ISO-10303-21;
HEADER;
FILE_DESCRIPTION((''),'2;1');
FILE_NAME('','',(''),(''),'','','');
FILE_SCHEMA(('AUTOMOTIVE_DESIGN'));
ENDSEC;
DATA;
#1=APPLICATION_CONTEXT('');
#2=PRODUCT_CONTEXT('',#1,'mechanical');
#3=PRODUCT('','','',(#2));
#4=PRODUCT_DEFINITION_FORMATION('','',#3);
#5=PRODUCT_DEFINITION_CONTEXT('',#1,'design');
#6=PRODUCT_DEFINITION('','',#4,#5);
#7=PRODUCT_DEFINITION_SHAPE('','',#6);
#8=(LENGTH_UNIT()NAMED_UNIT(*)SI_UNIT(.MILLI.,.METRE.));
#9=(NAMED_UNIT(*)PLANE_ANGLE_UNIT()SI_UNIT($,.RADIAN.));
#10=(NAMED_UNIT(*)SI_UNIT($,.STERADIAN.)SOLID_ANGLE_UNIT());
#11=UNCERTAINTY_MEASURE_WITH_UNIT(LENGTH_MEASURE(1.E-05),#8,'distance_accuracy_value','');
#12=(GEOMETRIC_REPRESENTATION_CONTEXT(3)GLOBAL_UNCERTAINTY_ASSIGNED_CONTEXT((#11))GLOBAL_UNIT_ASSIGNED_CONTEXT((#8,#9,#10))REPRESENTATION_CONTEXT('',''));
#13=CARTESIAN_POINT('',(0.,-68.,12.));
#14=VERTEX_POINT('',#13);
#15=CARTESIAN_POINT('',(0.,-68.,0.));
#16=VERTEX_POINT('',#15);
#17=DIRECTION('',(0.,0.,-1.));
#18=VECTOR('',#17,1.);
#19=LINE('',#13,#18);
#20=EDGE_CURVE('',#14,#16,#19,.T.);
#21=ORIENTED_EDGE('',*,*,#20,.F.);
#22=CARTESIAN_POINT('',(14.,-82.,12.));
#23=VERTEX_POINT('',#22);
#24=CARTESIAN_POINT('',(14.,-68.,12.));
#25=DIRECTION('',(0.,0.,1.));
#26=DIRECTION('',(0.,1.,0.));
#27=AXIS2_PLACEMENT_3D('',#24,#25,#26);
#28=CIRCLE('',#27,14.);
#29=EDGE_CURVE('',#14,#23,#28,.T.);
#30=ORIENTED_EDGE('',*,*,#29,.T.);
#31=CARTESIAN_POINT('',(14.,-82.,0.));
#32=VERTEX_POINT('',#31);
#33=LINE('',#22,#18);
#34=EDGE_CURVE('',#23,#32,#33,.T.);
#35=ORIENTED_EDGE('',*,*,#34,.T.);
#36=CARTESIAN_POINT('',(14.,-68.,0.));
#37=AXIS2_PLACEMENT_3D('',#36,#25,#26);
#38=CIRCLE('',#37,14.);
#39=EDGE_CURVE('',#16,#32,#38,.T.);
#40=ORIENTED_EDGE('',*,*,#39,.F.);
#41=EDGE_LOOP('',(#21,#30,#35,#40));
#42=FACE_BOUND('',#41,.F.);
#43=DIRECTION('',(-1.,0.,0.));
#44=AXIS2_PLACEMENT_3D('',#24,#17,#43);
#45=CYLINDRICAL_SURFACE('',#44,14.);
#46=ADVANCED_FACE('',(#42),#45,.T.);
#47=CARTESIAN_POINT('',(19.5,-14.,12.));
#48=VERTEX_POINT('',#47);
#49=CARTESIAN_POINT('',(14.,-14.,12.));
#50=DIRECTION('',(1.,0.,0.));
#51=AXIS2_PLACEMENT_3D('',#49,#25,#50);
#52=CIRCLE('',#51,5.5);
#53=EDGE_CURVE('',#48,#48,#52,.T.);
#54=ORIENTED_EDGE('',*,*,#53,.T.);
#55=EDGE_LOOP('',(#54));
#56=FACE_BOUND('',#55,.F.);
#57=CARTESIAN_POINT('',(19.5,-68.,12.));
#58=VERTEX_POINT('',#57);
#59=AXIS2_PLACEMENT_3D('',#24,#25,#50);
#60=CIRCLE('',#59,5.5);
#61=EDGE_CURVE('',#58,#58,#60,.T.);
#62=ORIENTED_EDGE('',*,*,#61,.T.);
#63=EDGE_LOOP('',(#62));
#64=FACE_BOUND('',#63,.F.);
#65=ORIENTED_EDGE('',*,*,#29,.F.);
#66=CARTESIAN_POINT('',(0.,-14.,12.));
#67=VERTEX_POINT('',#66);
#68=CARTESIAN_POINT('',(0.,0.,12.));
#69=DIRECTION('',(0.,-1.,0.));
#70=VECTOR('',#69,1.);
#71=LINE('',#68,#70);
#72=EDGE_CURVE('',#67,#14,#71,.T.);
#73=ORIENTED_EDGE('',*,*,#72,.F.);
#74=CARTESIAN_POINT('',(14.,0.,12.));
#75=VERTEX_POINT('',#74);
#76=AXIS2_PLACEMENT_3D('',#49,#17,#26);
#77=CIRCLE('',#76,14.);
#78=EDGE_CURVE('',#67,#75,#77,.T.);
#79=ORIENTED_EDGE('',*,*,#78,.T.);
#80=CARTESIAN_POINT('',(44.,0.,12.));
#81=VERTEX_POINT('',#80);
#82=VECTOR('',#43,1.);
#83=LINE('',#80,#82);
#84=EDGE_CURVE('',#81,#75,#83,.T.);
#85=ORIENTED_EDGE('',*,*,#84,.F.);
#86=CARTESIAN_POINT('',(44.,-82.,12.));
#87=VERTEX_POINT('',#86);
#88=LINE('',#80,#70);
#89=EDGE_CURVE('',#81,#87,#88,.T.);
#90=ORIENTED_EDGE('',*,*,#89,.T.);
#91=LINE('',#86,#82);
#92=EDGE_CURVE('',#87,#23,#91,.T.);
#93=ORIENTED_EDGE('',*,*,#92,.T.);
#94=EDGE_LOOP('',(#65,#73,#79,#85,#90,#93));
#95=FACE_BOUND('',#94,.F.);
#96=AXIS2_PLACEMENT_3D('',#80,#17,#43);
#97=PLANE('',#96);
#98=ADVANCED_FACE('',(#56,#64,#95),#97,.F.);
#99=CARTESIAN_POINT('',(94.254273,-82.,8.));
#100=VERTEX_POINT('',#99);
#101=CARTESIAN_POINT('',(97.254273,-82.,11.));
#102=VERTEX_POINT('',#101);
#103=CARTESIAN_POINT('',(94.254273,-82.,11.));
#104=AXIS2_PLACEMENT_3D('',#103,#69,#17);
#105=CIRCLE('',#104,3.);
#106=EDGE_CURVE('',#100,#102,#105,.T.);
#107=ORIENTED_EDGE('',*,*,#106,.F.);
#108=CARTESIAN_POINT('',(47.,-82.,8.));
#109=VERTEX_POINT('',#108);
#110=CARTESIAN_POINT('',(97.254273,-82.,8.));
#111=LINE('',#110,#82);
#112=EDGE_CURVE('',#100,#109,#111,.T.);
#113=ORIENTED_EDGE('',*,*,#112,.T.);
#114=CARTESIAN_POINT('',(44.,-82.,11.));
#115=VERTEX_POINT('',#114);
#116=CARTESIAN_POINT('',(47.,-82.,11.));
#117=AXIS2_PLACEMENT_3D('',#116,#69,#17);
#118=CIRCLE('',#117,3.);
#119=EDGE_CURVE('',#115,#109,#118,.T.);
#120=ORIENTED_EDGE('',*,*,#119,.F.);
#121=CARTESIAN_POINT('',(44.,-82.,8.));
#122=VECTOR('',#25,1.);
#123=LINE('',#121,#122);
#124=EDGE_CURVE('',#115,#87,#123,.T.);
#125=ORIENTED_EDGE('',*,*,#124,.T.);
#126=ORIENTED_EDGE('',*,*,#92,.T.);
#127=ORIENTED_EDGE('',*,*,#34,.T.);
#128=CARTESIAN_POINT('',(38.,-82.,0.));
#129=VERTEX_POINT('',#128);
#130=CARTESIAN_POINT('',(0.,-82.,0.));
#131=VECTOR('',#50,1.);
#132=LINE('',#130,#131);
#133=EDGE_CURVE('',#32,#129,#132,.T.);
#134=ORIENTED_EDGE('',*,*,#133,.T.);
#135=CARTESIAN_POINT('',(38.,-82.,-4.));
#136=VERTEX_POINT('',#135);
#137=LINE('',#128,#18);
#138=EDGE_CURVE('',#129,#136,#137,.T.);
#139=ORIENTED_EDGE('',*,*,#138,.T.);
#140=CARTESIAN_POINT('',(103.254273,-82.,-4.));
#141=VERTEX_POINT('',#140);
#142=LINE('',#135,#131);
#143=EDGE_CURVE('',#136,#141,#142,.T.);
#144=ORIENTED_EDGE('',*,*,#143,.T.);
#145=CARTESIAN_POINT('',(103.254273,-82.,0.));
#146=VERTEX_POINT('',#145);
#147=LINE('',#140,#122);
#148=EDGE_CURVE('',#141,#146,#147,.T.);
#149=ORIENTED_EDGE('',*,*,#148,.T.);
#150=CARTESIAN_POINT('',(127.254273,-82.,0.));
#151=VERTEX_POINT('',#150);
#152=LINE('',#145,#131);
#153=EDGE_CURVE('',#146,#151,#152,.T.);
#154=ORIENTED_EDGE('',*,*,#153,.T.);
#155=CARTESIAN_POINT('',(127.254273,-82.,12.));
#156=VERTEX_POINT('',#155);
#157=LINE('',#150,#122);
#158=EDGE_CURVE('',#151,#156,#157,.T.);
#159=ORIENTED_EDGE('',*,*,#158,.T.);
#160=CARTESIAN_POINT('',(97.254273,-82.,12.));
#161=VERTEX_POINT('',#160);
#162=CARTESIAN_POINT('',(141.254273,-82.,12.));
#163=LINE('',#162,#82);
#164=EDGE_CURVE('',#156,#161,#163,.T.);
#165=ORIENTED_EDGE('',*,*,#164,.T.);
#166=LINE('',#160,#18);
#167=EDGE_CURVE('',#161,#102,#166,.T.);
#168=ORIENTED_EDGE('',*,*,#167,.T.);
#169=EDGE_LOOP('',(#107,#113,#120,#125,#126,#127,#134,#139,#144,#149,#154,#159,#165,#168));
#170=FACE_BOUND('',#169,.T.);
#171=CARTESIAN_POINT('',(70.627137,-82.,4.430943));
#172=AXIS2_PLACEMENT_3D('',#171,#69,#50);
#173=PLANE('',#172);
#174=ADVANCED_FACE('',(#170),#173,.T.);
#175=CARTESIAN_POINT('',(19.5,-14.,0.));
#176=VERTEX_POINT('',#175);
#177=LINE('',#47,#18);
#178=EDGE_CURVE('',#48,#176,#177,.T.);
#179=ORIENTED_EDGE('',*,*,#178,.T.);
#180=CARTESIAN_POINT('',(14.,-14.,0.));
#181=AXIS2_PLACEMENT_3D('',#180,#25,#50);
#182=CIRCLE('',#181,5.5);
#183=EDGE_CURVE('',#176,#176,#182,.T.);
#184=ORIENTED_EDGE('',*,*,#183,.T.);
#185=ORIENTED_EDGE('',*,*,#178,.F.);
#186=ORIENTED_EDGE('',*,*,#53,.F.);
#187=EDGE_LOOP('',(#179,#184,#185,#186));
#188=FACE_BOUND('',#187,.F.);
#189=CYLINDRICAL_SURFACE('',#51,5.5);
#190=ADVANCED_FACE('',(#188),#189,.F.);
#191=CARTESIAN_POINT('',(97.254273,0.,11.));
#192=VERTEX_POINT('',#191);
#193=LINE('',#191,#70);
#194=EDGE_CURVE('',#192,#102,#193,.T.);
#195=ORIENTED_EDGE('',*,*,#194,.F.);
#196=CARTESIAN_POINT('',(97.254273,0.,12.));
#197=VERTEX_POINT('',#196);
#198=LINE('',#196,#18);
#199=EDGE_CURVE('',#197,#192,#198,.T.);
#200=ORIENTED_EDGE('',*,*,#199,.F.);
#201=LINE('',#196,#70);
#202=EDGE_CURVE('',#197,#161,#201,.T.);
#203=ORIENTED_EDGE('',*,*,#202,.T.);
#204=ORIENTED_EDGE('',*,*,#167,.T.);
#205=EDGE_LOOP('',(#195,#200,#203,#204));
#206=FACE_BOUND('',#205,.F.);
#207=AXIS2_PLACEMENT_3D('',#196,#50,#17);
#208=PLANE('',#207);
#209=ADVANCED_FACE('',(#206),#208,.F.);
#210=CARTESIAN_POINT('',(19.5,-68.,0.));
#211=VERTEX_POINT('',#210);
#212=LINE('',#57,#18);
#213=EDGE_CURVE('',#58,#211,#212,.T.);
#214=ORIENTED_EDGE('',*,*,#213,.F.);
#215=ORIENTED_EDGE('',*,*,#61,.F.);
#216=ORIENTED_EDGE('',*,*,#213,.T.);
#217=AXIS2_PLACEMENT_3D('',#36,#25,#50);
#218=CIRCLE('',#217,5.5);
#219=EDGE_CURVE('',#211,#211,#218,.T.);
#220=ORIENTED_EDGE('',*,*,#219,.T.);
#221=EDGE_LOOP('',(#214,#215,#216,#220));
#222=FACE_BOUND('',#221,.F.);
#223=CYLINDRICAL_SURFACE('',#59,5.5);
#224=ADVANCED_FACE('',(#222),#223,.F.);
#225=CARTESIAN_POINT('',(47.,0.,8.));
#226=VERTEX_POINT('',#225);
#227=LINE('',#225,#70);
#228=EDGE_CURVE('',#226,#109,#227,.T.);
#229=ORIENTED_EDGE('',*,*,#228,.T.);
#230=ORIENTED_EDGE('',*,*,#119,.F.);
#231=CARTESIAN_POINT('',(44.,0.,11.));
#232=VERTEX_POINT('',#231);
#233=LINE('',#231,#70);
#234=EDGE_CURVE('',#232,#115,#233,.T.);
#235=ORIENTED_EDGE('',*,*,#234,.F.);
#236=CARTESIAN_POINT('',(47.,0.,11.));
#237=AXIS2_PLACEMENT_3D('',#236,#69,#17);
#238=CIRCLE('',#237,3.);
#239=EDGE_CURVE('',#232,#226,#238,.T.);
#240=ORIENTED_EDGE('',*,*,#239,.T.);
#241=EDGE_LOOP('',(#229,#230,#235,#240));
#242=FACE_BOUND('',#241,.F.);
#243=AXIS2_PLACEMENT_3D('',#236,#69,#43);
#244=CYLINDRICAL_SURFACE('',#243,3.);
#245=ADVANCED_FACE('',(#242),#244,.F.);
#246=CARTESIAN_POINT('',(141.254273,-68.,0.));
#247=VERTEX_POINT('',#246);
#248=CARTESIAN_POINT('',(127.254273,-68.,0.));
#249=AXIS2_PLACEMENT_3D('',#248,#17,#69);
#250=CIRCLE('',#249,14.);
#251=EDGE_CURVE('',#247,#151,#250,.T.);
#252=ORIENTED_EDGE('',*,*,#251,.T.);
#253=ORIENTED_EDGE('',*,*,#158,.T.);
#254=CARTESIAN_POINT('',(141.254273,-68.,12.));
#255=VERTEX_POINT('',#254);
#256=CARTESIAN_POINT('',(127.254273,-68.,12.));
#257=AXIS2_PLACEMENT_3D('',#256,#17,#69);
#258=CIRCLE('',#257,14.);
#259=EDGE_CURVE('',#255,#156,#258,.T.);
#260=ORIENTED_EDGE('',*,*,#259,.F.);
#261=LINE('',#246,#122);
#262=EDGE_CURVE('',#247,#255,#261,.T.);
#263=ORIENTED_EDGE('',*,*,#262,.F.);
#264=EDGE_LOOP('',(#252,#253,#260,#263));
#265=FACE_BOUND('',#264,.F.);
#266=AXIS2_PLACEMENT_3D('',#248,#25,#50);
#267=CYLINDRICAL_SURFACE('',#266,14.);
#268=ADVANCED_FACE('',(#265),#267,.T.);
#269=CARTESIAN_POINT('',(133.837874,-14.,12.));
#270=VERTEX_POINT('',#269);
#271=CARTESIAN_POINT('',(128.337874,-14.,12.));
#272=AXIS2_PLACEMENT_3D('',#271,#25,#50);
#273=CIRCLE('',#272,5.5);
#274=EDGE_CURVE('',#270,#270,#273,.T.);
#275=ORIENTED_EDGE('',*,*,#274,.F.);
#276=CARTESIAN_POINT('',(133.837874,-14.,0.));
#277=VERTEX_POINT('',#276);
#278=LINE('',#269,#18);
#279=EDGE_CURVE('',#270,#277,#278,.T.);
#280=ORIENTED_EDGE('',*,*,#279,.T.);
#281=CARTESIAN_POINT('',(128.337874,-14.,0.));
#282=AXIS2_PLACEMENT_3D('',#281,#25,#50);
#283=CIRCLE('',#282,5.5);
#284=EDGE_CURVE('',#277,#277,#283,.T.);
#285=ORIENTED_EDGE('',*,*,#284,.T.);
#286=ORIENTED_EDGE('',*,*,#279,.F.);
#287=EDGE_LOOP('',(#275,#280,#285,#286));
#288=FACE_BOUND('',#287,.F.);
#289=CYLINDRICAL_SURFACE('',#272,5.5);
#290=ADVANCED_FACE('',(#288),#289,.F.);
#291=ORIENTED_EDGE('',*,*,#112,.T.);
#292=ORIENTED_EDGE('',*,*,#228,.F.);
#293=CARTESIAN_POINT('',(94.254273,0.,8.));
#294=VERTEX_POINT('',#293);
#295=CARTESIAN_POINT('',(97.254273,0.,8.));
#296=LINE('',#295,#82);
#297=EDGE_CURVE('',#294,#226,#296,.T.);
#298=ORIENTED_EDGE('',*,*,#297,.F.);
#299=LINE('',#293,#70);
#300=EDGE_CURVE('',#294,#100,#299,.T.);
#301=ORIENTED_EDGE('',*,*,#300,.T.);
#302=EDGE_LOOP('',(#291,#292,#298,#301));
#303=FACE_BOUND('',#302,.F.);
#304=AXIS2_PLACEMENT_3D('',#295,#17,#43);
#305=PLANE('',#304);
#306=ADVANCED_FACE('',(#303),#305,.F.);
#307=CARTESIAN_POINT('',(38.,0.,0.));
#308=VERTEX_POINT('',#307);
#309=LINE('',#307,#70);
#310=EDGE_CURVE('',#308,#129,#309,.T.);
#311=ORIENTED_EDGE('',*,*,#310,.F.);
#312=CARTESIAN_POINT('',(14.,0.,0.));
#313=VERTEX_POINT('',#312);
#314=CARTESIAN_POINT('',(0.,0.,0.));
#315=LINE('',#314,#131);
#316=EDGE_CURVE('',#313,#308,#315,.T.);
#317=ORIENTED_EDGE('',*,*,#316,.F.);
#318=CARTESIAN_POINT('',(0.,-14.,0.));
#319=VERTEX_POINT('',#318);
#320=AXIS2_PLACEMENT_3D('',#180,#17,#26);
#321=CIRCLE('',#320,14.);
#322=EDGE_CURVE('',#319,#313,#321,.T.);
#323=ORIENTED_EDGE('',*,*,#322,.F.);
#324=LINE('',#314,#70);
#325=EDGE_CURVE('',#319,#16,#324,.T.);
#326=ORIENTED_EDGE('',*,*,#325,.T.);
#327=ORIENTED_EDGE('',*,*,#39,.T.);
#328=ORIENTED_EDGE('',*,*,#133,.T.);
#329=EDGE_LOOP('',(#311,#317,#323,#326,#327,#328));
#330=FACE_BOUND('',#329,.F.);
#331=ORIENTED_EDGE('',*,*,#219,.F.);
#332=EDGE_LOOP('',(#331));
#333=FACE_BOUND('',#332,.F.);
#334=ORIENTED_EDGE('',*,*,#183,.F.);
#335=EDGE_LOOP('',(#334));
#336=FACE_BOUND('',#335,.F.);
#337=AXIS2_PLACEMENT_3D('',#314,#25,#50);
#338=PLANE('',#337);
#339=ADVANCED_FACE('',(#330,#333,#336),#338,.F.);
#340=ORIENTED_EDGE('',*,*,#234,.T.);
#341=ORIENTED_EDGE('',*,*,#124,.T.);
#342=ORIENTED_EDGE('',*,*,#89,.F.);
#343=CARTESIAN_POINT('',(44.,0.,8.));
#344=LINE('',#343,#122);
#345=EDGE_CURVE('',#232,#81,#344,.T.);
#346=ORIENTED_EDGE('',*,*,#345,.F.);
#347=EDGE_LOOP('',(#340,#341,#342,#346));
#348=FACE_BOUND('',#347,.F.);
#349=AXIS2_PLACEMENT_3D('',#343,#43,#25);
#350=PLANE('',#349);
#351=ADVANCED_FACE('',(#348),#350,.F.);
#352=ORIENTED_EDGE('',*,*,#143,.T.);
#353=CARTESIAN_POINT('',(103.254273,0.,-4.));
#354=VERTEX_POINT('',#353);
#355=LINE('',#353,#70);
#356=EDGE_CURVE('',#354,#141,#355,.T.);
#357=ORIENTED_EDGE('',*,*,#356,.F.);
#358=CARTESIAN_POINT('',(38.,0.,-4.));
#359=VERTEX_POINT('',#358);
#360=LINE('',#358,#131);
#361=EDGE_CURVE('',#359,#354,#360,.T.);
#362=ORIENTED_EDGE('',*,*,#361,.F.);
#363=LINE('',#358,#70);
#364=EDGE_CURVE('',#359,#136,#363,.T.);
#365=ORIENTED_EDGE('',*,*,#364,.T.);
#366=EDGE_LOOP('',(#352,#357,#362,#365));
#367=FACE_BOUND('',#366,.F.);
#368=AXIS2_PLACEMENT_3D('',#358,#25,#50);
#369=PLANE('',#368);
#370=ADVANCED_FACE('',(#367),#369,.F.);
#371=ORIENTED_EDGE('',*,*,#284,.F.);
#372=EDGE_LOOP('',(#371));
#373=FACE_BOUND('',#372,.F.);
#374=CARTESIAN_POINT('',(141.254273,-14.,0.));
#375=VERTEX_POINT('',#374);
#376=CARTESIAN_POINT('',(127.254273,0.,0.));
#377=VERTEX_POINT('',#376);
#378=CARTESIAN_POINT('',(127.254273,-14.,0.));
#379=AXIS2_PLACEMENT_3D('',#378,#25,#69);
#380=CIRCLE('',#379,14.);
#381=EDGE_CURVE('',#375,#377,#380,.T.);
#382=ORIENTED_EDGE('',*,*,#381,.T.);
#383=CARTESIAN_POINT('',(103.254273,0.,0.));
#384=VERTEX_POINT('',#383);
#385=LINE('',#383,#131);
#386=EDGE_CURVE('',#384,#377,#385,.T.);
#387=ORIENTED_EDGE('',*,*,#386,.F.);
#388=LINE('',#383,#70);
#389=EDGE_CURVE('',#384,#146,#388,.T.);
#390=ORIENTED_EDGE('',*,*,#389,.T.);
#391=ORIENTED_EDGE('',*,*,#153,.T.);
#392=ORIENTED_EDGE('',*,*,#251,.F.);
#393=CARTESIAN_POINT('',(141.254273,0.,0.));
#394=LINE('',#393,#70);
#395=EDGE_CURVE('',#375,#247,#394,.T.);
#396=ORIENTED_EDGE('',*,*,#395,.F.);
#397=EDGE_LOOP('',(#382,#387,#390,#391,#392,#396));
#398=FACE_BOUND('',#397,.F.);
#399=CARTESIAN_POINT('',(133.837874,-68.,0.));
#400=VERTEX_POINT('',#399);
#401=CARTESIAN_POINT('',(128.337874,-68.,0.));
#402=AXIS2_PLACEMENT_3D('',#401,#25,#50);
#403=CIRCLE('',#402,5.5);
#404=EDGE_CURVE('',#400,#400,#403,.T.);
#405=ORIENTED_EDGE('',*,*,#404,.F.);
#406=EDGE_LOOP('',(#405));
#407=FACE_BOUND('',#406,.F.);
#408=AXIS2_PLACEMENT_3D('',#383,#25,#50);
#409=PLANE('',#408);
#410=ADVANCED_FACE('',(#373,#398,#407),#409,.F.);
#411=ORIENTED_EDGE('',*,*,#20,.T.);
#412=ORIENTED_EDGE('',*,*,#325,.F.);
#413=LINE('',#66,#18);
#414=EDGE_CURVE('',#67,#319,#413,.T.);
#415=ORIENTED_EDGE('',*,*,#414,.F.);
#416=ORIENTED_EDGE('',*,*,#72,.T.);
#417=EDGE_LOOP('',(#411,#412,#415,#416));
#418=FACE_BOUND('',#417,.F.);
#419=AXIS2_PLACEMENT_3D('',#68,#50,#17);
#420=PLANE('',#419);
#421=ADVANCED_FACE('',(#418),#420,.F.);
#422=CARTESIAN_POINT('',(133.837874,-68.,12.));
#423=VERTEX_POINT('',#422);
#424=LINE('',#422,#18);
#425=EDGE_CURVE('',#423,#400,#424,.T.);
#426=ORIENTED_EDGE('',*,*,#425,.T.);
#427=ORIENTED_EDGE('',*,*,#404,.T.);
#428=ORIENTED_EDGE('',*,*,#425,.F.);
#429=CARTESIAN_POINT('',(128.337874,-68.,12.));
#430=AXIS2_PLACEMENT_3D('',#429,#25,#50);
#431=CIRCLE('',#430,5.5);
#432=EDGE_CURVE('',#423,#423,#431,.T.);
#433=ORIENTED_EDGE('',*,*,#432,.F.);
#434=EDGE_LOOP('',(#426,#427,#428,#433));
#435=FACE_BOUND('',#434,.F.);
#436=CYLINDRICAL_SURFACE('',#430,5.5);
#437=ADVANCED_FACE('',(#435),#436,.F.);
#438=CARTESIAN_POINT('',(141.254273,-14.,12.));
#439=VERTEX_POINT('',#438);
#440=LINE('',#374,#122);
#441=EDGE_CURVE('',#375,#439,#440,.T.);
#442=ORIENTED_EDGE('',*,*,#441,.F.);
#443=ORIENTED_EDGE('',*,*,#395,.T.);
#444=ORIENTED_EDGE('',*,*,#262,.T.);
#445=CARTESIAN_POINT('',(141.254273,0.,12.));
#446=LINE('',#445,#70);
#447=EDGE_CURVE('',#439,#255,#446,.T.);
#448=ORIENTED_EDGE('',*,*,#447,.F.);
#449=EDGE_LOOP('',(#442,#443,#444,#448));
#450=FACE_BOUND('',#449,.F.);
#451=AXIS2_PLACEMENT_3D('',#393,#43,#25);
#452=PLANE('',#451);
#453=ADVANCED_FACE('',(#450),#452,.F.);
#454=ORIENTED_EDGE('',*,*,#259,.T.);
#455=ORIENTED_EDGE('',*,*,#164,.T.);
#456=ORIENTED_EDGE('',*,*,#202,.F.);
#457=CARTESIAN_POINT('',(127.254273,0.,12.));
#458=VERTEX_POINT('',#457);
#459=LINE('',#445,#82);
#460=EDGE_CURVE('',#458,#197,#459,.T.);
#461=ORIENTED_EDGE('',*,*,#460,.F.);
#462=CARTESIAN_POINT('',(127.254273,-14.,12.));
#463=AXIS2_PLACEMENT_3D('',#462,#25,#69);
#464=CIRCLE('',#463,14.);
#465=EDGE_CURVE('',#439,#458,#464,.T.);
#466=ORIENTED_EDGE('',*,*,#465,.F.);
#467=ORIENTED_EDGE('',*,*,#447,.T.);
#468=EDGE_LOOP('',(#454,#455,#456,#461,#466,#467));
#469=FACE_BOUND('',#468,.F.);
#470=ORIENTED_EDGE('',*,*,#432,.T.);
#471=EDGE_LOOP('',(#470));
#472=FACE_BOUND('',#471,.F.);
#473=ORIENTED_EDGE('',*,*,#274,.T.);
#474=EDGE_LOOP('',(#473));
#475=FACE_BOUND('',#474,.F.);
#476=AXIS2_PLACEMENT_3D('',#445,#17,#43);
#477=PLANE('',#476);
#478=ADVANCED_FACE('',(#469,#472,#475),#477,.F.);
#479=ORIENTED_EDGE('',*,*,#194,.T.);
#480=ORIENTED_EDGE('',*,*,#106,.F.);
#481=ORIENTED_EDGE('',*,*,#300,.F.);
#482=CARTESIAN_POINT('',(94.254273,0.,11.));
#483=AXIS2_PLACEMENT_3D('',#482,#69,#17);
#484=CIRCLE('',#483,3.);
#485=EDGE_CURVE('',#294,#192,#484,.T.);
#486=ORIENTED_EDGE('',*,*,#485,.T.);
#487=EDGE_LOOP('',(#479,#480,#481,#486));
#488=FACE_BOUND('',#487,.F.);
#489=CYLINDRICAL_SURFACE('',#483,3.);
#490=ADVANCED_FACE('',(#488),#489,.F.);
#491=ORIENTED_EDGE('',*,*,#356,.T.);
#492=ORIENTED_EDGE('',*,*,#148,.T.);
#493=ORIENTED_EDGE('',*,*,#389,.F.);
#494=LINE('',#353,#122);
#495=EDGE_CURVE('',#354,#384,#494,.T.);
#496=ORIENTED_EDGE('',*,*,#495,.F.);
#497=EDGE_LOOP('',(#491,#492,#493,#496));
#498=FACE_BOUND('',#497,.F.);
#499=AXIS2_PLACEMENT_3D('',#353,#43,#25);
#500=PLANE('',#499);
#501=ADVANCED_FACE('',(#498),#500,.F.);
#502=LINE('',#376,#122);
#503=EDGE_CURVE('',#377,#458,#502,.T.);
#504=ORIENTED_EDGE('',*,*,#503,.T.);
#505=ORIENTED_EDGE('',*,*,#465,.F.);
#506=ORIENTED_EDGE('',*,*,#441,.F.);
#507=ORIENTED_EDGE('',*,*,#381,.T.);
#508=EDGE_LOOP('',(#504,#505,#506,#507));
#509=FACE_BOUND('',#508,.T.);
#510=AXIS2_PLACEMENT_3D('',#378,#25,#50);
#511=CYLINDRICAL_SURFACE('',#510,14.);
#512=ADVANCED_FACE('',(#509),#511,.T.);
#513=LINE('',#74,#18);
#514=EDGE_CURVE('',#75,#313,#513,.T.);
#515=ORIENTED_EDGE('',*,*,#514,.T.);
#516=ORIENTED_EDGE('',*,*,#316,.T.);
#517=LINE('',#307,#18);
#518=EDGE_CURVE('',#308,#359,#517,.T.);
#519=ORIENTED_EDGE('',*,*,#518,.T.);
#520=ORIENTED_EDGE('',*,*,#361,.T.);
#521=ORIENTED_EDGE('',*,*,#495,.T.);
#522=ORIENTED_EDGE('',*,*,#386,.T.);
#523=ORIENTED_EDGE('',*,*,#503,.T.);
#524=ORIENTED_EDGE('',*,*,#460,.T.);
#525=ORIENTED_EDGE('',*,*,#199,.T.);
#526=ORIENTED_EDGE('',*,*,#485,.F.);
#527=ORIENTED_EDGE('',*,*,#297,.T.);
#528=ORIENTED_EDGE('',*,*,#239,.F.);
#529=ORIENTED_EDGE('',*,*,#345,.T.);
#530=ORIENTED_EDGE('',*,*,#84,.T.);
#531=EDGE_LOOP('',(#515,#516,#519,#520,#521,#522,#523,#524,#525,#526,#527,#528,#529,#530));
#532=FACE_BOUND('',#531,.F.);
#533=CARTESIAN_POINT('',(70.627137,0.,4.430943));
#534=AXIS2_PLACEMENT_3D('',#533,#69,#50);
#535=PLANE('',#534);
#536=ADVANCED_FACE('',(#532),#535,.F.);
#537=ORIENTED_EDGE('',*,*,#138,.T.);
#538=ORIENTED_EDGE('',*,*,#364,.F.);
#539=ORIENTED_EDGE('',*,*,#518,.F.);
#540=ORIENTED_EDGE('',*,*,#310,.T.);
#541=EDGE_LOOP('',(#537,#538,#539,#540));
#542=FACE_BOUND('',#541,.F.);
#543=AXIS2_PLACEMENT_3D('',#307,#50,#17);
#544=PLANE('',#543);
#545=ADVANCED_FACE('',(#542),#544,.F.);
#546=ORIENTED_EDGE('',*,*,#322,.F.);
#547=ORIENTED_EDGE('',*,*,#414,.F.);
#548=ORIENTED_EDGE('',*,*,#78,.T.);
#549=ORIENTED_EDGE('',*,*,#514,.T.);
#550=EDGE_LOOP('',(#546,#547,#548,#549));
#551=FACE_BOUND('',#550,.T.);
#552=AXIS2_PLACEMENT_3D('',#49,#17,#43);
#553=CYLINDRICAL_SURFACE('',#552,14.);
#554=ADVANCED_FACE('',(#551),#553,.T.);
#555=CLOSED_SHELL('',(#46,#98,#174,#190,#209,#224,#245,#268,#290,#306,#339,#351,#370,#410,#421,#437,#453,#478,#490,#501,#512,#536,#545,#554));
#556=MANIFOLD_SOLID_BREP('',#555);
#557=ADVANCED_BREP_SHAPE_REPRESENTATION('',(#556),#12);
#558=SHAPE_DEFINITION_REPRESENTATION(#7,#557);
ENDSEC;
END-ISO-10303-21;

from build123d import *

# Parameters (mm, degrees)
F1_DEPTH = 82
F2_R     = 14
F3_R     = 5.5
F4_DEPTH = 16.001
F5_R     = 3


with BuildPart() as f1:
    # F0 (on Front) → F1 (new body)
    with BuildSketch(Plane.XZ):
        Polygon((0, 12), (0, 0), (38, 0), (38, -4), (103.254273, -4), (103.254273, 0), (141.254273, 0), (141.254273, 12), (97.254273, 12), (97.254273, 8), (44, 8), (44, 12), align=None)
    extrude(amount=F1_DEPTH)

    # F2
    f2_edges = [f1.edges().sort_by_distance(p)[0] for p in [
        (141.254273, -82, 6),
        (141.254273, 0, 6),
        (0, -82, 6),
        (0, 0, 6),
    ]]
    fillet(f2_edges, radius=F2_R)

    # F3 (on face) → F4 (cut, through all)
    with BuildSketch(Plane.XY.offset(12)):
        with Locations((128.337874, -68)):
            Circle(F3_R)
        with Locations((128.337874, -14)):
            Circle(F3_R)
        with Locations((14, -68)):
            Circle(F3_R)
        with Locations((14, -14)):
            Circle(F3_R)
    extrude(amount=-F4_DEPTH, mode=Mode.SUBTRACT)

    # F5
    f5_edges = [f1.edges().sort_by_distance(p)[0] for p in [
        (44, -41, 8),
        (97.254273, -41, 8),
    ]]
    fillet(f5_edges, radius=F5_R)


solid = f1.part
